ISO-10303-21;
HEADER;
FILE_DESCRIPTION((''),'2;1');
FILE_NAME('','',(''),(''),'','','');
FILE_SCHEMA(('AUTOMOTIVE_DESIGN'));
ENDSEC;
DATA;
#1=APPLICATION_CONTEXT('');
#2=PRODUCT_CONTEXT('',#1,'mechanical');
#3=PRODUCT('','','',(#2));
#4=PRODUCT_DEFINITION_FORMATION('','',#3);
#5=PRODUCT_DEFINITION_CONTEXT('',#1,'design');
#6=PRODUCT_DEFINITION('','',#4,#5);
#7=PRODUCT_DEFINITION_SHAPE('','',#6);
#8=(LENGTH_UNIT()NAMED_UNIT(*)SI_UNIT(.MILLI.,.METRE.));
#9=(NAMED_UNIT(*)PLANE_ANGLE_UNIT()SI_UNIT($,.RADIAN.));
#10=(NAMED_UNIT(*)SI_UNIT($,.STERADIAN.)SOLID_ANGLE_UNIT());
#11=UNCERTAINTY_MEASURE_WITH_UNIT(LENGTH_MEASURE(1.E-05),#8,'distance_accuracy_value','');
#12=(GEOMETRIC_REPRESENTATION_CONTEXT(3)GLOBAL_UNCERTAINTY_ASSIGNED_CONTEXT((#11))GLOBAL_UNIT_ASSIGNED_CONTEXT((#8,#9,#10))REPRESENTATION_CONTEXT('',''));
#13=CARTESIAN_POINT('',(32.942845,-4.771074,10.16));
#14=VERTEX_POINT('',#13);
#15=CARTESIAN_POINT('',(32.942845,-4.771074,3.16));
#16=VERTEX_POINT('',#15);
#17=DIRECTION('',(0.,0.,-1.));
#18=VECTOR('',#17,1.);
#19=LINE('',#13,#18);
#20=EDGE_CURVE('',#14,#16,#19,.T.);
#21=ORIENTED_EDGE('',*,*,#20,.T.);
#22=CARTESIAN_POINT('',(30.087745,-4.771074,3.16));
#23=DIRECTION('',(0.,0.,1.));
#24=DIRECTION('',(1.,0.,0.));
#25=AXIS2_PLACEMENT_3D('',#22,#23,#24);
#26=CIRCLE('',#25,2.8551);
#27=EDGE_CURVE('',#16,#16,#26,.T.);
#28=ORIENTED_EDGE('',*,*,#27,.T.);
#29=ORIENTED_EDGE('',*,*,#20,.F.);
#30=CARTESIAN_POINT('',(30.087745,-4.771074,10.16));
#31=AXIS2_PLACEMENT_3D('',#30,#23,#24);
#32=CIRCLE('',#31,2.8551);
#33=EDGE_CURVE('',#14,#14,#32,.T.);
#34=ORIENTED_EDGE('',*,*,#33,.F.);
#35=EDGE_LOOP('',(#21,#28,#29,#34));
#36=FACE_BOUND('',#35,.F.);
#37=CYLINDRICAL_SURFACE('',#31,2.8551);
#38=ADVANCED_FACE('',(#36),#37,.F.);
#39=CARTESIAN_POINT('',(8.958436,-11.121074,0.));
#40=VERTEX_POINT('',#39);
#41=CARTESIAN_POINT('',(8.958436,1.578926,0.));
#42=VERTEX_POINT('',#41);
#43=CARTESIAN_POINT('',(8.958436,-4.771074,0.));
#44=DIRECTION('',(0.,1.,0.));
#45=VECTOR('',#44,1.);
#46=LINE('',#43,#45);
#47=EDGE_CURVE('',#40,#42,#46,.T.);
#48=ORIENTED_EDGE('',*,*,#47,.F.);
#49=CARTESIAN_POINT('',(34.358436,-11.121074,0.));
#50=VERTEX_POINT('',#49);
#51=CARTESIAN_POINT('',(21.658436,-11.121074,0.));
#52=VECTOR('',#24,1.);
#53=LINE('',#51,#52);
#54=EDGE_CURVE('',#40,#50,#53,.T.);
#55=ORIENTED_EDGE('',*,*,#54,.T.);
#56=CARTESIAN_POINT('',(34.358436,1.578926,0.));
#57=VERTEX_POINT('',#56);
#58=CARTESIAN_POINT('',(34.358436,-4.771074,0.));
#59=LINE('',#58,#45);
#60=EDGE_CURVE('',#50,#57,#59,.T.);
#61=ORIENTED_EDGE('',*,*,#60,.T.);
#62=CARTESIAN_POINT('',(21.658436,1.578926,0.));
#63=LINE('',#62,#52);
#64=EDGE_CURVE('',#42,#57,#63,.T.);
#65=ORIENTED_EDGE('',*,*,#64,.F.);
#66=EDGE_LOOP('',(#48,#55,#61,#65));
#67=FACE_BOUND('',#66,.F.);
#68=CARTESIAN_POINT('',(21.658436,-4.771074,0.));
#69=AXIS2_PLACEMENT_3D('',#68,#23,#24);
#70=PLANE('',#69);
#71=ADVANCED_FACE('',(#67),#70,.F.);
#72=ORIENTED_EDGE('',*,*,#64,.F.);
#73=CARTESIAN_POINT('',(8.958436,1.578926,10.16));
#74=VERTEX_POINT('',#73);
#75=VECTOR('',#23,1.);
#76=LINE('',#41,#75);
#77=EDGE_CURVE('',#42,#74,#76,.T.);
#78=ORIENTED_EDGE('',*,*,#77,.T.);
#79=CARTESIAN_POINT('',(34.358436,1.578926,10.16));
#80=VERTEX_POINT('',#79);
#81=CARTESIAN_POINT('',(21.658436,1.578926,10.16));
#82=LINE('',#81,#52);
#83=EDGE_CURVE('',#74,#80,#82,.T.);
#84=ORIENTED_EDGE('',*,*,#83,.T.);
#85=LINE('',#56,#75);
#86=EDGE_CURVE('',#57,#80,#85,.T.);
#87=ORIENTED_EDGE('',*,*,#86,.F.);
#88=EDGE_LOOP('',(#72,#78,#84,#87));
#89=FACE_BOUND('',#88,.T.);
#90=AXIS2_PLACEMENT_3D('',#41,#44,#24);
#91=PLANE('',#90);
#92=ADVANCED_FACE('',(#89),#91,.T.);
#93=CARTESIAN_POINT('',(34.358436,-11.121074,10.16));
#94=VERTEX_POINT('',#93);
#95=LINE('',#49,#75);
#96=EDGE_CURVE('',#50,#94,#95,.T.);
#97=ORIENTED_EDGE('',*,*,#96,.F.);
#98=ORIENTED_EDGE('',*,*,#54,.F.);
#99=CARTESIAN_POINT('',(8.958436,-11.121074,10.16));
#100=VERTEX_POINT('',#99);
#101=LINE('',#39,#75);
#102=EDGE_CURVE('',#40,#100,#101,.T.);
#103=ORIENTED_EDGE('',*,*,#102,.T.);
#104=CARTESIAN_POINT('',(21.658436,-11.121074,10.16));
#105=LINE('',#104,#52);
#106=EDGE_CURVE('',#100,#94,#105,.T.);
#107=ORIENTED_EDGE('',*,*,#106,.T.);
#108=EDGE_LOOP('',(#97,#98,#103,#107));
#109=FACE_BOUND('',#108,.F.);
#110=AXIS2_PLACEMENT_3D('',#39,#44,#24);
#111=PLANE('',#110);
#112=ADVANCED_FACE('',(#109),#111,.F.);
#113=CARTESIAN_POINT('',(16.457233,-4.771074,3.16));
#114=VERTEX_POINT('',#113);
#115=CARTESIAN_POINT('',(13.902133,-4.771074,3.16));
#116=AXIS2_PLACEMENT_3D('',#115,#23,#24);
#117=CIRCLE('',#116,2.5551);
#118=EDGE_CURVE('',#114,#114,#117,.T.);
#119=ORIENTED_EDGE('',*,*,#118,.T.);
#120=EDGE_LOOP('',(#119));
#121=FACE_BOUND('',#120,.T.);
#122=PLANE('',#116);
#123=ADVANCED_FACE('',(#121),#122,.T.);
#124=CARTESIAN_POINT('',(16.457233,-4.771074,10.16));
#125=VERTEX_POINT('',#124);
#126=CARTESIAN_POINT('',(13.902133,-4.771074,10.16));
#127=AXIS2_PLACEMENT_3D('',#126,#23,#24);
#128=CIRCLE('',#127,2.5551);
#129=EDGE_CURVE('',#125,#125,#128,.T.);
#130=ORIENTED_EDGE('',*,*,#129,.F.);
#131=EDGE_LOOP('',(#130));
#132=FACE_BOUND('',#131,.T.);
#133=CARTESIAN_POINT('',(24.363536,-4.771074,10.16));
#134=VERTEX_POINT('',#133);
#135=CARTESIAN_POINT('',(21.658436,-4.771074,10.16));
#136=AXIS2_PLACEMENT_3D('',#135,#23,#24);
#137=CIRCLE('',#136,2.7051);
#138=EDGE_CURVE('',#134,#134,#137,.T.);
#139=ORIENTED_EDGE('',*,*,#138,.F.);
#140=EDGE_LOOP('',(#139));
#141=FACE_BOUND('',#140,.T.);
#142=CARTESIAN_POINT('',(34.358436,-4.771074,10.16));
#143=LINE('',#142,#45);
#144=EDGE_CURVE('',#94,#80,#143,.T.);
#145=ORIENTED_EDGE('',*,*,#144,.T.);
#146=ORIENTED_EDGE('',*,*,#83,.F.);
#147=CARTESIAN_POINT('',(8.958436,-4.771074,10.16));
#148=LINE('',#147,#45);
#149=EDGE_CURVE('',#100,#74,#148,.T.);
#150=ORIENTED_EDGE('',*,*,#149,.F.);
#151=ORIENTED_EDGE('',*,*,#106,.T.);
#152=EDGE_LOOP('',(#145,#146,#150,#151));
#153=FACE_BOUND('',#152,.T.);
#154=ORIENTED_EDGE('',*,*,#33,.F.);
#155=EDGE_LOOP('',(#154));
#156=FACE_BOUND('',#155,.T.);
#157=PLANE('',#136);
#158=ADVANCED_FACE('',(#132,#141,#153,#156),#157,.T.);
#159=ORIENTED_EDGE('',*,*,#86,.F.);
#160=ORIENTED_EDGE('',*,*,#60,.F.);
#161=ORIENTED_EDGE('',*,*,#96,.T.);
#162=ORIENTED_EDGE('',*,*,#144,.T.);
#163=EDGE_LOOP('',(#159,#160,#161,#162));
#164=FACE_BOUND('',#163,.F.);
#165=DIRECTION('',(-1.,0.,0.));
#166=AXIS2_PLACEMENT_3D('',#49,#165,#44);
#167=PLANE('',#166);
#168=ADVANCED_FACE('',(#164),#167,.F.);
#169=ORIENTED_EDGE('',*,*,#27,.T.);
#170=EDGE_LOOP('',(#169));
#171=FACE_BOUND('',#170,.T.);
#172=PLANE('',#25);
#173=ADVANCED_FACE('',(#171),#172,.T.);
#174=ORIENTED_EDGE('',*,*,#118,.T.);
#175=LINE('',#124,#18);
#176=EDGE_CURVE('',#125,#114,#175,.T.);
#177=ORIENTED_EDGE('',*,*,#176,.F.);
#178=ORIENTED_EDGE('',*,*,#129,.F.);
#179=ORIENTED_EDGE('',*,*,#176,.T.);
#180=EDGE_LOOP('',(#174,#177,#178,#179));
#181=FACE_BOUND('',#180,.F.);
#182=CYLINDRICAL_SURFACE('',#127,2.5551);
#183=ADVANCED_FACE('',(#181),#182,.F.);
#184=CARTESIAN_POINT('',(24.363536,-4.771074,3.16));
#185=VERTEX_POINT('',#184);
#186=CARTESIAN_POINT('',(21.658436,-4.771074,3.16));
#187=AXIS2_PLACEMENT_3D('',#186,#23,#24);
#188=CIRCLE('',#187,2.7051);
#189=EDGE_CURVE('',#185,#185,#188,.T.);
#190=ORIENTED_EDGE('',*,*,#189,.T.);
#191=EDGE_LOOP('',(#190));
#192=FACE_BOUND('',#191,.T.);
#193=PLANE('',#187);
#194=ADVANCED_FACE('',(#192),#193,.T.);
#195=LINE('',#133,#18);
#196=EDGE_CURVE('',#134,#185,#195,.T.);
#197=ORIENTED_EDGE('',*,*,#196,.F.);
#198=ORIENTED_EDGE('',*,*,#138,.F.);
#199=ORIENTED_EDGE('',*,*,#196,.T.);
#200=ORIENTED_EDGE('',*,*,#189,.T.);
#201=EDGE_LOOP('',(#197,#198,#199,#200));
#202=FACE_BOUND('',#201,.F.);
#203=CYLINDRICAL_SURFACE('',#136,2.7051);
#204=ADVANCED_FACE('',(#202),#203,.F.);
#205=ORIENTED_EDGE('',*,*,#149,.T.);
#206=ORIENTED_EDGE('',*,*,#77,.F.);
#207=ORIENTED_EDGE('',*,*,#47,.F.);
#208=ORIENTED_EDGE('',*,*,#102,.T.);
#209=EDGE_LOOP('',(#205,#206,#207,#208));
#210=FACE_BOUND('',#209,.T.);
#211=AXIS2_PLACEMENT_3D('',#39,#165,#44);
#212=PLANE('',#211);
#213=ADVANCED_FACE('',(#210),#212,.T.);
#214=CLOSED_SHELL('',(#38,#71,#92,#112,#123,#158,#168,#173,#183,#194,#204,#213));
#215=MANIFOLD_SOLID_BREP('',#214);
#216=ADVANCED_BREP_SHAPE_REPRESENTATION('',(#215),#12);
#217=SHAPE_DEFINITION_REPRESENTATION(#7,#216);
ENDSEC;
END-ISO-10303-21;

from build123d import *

# Parameters (mm, degrees)
F0_W     = 25.4
F0_H     = 12.7
F1_DEPTH = 10.16
F2_R     = 2.5551
F2_R_2   = 2.7051
F2_R_3   = 2.8551
F3_DEPTH = 7


with BuildPart() as f1:
    # F0 (on Top) → F1 (new body)
    with BuildSketch(Plane.XY):
        with Locations((21.658436, -4.771074)):
            Rectangle(F0_W, F0_H)
    extrude(amount=F1_DEPTH)

    # F2 (on face) → F3 (cut)
    with BuildSketch(Plane.XY.offset(10.16)):
        with Locations((13.902133, -4.771074)):
            Circle(F2_R)
        with Locations((21.658436, -4.771074)):
            Circle(F2_R_2)
        with Locations((30.087745, -4.771074)):
            Circle(F2_R_3)
    extrude(amount=-F3_DEPTH, mode=Mode.SUBTRACT)


solid = f1.part
